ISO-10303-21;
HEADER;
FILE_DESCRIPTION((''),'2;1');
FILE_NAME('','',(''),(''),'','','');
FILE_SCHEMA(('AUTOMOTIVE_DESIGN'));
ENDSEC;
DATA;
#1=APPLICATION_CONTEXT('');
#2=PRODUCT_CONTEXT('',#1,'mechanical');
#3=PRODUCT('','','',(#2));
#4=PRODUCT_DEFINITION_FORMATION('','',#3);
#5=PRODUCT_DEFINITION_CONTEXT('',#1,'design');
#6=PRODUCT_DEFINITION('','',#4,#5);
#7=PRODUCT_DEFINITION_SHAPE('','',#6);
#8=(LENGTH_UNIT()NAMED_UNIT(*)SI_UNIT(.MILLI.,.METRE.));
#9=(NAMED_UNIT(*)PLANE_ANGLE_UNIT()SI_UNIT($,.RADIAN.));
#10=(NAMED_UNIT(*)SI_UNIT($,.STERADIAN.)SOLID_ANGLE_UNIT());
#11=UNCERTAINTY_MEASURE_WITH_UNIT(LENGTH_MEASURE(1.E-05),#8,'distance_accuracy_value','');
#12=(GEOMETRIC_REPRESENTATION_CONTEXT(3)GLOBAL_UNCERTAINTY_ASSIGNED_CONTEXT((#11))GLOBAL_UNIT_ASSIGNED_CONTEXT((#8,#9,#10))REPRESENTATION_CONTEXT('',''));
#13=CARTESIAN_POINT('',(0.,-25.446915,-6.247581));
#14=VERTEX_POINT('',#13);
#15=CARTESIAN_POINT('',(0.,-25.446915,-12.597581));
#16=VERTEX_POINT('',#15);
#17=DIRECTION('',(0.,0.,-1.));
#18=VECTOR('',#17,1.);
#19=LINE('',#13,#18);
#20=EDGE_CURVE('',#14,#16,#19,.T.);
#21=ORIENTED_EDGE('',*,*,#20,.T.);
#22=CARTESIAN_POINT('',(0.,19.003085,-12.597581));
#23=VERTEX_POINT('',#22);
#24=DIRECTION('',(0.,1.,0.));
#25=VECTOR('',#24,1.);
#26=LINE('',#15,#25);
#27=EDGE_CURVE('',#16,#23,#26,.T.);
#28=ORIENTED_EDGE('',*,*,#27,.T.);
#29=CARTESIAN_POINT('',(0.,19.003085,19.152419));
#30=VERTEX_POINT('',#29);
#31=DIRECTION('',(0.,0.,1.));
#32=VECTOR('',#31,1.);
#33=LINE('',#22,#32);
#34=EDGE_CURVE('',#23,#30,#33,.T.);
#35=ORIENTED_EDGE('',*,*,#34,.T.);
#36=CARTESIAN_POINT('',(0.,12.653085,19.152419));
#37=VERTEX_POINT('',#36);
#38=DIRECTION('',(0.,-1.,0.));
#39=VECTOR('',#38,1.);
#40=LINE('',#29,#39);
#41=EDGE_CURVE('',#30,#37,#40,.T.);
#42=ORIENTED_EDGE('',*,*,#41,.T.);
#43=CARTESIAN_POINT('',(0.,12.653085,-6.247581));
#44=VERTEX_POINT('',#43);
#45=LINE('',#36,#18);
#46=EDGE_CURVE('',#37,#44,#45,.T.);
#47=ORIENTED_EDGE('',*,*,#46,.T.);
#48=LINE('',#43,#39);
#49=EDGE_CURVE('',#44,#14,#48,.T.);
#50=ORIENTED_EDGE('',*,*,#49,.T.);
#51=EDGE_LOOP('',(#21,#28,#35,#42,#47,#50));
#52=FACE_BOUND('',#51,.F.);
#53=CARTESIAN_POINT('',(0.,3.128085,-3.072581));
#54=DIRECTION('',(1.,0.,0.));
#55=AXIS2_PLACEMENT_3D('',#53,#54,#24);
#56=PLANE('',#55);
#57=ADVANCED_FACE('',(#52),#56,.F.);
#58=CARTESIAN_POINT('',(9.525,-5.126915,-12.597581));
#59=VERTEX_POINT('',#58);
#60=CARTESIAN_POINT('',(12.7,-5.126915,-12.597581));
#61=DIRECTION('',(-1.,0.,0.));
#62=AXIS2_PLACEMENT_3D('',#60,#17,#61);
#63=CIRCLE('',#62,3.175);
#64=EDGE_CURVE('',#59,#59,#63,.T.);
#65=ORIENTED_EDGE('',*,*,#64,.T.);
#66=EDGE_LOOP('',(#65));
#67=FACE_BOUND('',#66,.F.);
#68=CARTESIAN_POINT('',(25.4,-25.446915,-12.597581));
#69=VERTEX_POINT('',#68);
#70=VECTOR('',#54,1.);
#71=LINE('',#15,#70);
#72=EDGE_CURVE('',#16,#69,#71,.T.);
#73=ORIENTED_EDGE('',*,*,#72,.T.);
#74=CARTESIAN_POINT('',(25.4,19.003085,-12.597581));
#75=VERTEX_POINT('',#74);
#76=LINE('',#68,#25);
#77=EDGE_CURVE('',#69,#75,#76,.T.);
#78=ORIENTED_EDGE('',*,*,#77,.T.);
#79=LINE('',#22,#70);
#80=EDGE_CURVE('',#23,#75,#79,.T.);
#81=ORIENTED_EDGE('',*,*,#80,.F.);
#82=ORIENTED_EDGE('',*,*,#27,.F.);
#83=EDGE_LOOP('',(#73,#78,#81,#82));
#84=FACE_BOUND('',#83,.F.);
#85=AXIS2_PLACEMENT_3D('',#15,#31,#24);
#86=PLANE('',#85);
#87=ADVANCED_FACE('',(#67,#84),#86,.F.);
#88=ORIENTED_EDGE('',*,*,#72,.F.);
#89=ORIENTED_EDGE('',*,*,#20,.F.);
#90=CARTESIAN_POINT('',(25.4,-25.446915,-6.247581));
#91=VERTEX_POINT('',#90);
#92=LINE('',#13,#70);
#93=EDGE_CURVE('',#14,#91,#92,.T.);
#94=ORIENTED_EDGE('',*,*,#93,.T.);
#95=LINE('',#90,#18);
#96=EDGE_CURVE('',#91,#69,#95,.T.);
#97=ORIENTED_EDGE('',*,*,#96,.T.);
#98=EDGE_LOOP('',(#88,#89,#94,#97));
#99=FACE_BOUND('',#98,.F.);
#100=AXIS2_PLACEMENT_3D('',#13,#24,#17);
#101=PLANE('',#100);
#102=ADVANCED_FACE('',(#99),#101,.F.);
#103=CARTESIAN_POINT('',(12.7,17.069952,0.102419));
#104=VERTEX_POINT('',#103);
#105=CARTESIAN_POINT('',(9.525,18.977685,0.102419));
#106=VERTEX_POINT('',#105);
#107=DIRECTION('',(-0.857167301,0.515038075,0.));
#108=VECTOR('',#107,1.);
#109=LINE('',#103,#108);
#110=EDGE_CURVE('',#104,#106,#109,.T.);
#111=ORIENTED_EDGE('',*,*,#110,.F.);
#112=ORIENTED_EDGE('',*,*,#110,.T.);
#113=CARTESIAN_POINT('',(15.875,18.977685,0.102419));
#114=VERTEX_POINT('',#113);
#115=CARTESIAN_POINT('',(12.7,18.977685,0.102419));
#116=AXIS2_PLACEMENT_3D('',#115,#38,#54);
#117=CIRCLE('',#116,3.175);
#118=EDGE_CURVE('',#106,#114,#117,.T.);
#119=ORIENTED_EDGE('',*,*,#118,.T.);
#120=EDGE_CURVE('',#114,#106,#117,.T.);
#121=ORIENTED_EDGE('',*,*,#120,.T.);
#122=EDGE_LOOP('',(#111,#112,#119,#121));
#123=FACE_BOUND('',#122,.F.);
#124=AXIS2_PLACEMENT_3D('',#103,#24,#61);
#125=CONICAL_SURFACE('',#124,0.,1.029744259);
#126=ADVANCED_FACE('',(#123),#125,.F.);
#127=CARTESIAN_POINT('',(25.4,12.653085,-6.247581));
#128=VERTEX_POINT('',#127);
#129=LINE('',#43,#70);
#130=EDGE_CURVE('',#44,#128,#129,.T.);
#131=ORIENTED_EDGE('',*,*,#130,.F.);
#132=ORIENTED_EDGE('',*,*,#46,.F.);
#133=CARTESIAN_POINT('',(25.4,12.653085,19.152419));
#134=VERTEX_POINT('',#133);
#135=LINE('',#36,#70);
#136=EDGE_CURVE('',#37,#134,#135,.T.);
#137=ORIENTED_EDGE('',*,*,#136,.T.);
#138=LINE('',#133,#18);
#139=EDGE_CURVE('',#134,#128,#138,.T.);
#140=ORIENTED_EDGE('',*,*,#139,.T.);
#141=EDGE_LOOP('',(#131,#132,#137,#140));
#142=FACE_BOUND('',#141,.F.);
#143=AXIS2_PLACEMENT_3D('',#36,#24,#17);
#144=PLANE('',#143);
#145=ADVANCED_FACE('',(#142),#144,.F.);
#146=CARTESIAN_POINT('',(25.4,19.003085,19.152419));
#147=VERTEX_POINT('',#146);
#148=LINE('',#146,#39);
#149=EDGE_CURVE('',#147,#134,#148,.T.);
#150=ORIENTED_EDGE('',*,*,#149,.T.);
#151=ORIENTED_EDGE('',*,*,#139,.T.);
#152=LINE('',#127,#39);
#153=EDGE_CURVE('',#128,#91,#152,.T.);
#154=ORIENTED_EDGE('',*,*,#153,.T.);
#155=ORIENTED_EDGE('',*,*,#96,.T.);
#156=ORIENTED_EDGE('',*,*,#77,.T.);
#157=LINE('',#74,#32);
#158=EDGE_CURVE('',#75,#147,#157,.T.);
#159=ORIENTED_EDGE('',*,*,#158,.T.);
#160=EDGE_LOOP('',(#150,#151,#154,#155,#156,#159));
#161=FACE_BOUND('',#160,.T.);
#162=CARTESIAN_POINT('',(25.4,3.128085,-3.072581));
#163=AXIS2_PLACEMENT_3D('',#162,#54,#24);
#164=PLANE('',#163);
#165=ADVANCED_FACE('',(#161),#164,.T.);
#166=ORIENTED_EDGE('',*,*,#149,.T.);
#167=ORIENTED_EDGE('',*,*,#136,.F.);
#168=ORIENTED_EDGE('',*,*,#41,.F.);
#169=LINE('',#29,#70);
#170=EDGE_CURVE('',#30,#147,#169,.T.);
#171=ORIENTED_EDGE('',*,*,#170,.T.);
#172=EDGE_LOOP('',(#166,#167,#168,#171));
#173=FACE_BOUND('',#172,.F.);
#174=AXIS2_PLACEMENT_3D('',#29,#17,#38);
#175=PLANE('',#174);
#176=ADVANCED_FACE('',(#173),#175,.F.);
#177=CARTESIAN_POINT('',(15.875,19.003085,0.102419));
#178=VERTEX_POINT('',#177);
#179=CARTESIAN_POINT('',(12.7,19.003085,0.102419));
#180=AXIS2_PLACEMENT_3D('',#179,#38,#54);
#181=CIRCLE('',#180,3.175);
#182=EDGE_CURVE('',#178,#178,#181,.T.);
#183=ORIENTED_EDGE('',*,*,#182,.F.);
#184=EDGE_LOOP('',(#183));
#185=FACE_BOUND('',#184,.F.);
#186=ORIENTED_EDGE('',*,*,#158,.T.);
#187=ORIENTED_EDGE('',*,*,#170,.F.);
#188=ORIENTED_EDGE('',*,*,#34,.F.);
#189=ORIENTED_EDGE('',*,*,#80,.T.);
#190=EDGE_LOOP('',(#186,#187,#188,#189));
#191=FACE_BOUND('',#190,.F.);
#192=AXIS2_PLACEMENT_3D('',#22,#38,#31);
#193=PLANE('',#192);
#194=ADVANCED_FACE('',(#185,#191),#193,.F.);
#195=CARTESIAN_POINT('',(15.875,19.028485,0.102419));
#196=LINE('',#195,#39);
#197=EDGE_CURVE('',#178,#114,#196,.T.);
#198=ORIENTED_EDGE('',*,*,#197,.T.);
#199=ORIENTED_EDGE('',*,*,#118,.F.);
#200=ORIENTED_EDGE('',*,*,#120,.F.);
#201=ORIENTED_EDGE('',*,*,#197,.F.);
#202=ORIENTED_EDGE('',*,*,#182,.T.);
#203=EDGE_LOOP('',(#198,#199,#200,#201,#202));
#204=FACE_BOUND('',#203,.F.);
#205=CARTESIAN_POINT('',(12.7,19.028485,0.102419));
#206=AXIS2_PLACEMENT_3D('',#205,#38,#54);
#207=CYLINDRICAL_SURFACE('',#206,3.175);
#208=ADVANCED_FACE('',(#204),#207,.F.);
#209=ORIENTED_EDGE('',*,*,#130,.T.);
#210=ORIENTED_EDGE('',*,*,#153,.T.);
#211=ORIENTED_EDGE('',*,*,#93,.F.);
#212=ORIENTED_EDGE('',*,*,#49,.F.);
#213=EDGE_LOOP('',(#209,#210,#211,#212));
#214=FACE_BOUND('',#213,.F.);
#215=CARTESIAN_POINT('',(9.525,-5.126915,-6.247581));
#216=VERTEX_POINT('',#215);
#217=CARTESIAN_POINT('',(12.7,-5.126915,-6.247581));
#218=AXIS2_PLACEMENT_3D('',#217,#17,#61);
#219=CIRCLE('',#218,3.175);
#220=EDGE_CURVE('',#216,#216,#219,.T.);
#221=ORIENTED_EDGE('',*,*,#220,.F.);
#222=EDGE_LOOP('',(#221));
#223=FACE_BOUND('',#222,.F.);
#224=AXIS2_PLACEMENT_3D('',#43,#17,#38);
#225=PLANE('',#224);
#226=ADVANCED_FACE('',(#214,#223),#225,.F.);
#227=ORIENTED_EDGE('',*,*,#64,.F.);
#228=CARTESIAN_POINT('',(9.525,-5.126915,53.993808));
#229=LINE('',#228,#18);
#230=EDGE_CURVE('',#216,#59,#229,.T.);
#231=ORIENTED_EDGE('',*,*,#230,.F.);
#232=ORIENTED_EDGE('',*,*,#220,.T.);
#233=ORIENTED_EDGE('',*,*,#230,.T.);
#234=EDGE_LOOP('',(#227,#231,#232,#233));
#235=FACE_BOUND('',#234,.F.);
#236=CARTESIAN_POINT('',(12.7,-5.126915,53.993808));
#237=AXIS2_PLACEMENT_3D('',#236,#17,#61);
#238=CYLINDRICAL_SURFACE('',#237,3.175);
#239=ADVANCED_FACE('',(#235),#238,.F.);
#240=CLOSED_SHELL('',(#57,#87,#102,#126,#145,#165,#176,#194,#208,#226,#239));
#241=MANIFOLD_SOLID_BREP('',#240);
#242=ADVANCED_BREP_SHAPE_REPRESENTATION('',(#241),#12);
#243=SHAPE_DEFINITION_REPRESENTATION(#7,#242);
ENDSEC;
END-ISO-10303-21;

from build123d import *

# Parameters (mm, degrees)
F1_DEPTH = 25.4
F3_D     = 6.35
F3_DEPTH = 0.0254
F3_TIP   = 1.9077324654
F5_D     = 6.35


with BuildPart() as f1:
    # F0 (on Right) → F1 (new body)
    with BuildSketch(Plane.YZ):
        Polygon((19.0030846266, 19.1524188638), (12.6530846266, 19.1524188638), (12.6530846266, -6.2475811362), (-25.4469153734, -6.2475811362), (-25.4469153734, -12.5975811362), (19.0030846266, -12.5975811362), align=None)
    extrude(amount=F1_DEPTH)

    # F3
    with Locations(Plane(origin=(0, 19.0030846266, 0), x_dir=(-1, 0, 0), z_dir=(0, 1, 0))):
        with Locations((-12.7, 0.1024188638)):
            Hole(F3_D / 2, depth=F3_DEPTH)
            with Locations((0, 0, -(F3_DEPTH + F3_TIP / 2))):  # 118° drill point
                Cone(0, F3_D / 2, F3_TIP, mode=Mode.SUBTRACT)

    # F5 (through all)
    with Locations(Plane.XY.offset(-6.2475811362)):
        with Locations((12.7, -5.1269153734)):
            Hole(F5_D / 2)


solid = f1.part
